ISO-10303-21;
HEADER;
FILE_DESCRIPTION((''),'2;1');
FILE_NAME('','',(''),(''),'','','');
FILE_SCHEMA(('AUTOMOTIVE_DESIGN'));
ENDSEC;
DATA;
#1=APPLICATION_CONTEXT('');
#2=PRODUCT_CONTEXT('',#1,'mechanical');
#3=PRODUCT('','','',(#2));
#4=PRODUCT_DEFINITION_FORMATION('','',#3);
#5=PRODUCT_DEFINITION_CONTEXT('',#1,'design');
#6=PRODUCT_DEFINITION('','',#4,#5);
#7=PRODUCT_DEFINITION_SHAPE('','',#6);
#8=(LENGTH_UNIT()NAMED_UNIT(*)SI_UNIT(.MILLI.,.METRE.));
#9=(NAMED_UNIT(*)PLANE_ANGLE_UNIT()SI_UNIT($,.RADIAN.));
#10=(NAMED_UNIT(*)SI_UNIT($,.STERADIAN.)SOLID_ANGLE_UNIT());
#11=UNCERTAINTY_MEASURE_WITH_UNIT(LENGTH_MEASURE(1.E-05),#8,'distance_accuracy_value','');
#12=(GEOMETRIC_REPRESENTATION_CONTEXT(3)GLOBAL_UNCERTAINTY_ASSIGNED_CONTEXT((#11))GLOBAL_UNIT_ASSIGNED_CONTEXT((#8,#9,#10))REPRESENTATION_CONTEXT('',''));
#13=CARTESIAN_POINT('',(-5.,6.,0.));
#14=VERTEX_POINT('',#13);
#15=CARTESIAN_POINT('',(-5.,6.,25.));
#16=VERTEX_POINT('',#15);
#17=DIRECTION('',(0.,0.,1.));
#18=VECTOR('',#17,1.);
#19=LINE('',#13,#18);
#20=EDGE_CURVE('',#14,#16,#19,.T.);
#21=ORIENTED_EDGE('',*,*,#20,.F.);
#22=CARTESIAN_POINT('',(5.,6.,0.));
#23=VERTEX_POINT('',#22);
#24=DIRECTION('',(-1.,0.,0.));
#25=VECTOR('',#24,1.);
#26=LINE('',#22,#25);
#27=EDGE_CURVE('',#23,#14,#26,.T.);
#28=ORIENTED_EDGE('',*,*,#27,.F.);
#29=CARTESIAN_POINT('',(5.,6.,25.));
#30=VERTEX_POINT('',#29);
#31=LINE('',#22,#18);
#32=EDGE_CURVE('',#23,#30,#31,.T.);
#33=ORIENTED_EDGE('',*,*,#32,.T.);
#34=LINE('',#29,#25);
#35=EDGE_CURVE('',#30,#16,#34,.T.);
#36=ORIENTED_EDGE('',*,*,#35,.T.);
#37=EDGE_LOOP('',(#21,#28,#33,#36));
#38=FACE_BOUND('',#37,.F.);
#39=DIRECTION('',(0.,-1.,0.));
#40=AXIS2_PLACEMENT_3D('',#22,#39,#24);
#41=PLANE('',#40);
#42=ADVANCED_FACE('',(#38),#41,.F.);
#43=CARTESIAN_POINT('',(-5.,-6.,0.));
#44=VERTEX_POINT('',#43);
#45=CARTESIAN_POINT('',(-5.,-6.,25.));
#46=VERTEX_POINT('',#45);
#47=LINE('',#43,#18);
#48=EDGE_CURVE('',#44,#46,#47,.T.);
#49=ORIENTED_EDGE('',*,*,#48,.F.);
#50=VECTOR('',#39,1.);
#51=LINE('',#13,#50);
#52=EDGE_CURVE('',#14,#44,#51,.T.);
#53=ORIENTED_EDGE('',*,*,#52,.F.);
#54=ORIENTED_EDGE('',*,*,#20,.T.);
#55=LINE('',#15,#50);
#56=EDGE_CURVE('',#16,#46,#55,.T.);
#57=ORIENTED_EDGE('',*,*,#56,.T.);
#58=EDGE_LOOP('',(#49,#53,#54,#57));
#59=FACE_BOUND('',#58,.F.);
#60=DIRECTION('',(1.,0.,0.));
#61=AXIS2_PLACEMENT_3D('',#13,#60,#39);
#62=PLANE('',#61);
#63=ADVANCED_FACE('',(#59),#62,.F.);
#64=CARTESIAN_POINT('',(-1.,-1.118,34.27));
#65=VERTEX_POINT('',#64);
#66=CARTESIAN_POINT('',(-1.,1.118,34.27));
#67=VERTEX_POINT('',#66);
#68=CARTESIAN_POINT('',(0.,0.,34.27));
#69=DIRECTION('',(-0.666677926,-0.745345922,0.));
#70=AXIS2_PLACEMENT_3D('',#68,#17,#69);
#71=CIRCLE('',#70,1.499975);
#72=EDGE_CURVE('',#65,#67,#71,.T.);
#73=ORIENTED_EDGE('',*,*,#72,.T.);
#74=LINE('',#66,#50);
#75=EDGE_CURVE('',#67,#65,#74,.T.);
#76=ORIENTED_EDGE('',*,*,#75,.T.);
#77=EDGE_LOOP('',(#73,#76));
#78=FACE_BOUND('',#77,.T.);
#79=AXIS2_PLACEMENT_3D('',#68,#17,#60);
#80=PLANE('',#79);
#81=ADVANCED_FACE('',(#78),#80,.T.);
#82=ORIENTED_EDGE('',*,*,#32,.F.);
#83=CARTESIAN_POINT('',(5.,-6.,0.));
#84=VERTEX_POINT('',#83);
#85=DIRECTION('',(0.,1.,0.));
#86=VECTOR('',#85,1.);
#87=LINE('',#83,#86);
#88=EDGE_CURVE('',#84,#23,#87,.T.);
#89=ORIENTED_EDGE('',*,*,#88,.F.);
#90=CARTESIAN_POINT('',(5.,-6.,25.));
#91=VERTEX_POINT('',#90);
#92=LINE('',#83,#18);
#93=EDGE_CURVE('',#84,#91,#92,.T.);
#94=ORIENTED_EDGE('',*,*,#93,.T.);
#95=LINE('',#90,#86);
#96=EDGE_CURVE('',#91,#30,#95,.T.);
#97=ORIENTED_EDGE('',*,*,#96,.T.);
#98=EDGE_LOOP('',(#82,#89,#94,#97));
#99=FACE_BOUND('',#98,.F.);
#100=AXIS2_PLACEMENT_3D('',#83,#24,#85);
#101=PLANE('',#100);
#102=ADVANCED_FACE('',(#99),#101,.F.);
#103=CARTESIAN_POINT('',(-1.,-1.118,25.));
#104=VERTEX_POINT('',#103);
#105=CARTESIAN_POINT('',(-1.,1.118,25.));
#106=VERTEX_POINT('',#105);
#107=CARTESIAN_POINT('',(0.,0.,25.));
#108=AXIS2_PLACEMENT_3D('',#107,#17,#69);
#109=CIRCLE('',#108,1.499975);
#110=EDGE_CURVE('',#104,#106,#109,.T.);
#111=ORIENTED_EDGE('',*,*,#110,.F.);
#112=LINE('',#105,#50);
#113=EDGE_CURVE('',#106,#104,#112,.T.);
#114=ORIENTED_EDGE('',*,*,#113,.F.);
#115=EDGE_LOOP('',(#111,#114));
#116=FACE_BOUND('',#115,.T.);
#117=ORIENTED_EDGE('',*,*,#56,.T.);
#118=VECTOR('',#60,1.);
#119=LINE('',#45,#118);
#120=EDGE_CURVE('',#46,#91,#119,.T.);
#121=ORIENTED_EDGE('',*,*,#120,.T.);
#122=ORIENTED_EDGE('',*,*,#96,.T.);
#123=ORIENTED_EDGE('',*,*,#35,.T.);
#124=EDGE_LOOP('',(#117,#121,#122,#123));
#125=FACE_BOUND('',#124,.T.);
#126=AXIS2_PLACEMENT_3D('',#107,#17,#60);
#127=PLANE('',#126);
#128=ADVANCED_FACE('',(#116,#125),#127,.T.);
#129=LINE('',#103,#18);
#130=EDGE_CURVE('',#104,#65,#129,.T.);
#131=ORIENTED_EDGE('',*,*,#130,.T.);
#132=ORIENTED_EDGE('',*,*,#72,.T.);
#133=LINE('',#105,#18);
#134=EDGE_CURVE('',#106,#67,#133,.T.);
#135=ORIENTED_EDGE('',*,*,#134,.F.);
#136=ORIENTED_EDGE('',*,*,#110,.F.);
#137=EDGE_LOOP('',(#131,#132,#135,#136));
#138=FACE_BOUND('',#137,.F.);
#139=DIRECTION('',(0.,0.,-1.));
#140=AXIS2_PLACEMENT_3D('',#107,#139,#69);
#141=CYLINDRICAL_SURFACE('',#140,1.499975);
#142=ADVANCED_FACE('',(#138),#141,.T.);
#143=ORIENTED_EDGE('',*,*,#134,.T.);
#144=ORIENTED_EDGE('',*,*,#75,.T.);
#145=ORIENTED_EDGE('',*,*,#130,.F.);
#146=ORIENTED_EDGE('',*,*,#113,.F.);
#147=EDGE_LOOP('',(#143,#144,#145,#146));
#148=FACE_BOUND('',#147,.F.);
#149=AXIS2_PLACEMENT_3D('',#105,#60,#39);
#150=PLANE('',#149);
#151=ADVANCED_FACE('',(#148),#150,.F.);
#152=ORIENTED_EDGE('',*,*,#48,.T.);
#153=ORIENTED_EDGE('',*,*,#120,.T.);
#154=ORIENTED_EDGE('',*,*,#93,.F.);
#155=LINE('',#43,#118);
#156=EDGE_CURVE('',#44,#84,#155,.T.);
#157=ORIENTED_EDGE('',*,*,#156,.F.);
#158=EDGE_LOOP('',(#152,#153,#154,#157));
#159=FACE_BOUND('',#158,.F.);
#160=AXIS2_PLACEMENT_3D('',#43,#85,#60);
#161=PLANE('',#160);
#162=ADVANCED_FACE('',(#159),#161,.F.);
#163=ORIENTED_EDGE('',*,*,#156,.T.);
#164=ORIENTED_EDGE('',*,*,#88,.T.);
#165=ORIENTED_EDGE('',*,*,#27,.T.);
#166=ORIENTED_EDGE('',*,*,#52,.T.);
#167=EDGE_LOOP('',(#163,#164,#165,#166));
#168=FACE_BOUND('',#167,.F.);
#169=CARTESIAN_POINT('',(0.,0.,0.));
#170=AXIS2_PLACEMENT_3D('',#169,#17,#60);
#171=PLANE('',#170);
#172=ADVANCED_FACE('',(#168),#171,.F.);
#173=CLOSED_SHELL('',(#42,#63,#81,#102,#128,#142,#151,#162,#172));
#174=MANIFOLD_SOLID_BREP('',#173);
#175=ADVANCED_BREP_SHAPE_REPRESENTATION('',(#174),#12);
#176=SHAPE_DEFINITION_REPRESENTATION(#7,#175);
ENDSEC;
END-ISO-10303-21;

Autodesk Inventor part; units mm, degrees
ref_plane "YZ Plane" through (0, 0, 0) normal (1, 0, 0) x (0, 1, 0)
ref_plane "XZ Plane" through (0, 0, 0) normal (0, 1, 0) x (-1, 0, 0)
ref_plane "XY Plane" through (0, 0, 0) normal (0, 0, 1) x (1, 0, 0)
sketch "Sketch1" plane through (0, 0, 0) normal (0, 0, 1) x (1, 0, 0)
  line L0 (-5, -6) -> (5, -6)
  line L1 (5, -6) -> (5, 6)
  line L2 (5, 6) -> (-5, 6)
  line L3 (-5, 6) -> (-5, -6)
  point P0 (0, 0)
  dimension "d0" = 10
  dimension "d1" = 12
  dimension "d2" = 5
  dimension "d3" = 6
extrude "Extrusion1" add sketch "Sketch1" along normal blind 25
sketch "Sketch2" plane through (0, 0, 25) normal (0, 0, 1) x (1, 0, 0)
  arc A0 (-1, -1.118) -> (-1, 1.118) centre (0, 0) ccw
  line L0 (-1, 1.118) -> (-1, -1.118)
  dimension "d6" = 3
extrude "Extrusion2" add sketch "Sketch2" along normal blind 9.27
properties part number "Motor"
